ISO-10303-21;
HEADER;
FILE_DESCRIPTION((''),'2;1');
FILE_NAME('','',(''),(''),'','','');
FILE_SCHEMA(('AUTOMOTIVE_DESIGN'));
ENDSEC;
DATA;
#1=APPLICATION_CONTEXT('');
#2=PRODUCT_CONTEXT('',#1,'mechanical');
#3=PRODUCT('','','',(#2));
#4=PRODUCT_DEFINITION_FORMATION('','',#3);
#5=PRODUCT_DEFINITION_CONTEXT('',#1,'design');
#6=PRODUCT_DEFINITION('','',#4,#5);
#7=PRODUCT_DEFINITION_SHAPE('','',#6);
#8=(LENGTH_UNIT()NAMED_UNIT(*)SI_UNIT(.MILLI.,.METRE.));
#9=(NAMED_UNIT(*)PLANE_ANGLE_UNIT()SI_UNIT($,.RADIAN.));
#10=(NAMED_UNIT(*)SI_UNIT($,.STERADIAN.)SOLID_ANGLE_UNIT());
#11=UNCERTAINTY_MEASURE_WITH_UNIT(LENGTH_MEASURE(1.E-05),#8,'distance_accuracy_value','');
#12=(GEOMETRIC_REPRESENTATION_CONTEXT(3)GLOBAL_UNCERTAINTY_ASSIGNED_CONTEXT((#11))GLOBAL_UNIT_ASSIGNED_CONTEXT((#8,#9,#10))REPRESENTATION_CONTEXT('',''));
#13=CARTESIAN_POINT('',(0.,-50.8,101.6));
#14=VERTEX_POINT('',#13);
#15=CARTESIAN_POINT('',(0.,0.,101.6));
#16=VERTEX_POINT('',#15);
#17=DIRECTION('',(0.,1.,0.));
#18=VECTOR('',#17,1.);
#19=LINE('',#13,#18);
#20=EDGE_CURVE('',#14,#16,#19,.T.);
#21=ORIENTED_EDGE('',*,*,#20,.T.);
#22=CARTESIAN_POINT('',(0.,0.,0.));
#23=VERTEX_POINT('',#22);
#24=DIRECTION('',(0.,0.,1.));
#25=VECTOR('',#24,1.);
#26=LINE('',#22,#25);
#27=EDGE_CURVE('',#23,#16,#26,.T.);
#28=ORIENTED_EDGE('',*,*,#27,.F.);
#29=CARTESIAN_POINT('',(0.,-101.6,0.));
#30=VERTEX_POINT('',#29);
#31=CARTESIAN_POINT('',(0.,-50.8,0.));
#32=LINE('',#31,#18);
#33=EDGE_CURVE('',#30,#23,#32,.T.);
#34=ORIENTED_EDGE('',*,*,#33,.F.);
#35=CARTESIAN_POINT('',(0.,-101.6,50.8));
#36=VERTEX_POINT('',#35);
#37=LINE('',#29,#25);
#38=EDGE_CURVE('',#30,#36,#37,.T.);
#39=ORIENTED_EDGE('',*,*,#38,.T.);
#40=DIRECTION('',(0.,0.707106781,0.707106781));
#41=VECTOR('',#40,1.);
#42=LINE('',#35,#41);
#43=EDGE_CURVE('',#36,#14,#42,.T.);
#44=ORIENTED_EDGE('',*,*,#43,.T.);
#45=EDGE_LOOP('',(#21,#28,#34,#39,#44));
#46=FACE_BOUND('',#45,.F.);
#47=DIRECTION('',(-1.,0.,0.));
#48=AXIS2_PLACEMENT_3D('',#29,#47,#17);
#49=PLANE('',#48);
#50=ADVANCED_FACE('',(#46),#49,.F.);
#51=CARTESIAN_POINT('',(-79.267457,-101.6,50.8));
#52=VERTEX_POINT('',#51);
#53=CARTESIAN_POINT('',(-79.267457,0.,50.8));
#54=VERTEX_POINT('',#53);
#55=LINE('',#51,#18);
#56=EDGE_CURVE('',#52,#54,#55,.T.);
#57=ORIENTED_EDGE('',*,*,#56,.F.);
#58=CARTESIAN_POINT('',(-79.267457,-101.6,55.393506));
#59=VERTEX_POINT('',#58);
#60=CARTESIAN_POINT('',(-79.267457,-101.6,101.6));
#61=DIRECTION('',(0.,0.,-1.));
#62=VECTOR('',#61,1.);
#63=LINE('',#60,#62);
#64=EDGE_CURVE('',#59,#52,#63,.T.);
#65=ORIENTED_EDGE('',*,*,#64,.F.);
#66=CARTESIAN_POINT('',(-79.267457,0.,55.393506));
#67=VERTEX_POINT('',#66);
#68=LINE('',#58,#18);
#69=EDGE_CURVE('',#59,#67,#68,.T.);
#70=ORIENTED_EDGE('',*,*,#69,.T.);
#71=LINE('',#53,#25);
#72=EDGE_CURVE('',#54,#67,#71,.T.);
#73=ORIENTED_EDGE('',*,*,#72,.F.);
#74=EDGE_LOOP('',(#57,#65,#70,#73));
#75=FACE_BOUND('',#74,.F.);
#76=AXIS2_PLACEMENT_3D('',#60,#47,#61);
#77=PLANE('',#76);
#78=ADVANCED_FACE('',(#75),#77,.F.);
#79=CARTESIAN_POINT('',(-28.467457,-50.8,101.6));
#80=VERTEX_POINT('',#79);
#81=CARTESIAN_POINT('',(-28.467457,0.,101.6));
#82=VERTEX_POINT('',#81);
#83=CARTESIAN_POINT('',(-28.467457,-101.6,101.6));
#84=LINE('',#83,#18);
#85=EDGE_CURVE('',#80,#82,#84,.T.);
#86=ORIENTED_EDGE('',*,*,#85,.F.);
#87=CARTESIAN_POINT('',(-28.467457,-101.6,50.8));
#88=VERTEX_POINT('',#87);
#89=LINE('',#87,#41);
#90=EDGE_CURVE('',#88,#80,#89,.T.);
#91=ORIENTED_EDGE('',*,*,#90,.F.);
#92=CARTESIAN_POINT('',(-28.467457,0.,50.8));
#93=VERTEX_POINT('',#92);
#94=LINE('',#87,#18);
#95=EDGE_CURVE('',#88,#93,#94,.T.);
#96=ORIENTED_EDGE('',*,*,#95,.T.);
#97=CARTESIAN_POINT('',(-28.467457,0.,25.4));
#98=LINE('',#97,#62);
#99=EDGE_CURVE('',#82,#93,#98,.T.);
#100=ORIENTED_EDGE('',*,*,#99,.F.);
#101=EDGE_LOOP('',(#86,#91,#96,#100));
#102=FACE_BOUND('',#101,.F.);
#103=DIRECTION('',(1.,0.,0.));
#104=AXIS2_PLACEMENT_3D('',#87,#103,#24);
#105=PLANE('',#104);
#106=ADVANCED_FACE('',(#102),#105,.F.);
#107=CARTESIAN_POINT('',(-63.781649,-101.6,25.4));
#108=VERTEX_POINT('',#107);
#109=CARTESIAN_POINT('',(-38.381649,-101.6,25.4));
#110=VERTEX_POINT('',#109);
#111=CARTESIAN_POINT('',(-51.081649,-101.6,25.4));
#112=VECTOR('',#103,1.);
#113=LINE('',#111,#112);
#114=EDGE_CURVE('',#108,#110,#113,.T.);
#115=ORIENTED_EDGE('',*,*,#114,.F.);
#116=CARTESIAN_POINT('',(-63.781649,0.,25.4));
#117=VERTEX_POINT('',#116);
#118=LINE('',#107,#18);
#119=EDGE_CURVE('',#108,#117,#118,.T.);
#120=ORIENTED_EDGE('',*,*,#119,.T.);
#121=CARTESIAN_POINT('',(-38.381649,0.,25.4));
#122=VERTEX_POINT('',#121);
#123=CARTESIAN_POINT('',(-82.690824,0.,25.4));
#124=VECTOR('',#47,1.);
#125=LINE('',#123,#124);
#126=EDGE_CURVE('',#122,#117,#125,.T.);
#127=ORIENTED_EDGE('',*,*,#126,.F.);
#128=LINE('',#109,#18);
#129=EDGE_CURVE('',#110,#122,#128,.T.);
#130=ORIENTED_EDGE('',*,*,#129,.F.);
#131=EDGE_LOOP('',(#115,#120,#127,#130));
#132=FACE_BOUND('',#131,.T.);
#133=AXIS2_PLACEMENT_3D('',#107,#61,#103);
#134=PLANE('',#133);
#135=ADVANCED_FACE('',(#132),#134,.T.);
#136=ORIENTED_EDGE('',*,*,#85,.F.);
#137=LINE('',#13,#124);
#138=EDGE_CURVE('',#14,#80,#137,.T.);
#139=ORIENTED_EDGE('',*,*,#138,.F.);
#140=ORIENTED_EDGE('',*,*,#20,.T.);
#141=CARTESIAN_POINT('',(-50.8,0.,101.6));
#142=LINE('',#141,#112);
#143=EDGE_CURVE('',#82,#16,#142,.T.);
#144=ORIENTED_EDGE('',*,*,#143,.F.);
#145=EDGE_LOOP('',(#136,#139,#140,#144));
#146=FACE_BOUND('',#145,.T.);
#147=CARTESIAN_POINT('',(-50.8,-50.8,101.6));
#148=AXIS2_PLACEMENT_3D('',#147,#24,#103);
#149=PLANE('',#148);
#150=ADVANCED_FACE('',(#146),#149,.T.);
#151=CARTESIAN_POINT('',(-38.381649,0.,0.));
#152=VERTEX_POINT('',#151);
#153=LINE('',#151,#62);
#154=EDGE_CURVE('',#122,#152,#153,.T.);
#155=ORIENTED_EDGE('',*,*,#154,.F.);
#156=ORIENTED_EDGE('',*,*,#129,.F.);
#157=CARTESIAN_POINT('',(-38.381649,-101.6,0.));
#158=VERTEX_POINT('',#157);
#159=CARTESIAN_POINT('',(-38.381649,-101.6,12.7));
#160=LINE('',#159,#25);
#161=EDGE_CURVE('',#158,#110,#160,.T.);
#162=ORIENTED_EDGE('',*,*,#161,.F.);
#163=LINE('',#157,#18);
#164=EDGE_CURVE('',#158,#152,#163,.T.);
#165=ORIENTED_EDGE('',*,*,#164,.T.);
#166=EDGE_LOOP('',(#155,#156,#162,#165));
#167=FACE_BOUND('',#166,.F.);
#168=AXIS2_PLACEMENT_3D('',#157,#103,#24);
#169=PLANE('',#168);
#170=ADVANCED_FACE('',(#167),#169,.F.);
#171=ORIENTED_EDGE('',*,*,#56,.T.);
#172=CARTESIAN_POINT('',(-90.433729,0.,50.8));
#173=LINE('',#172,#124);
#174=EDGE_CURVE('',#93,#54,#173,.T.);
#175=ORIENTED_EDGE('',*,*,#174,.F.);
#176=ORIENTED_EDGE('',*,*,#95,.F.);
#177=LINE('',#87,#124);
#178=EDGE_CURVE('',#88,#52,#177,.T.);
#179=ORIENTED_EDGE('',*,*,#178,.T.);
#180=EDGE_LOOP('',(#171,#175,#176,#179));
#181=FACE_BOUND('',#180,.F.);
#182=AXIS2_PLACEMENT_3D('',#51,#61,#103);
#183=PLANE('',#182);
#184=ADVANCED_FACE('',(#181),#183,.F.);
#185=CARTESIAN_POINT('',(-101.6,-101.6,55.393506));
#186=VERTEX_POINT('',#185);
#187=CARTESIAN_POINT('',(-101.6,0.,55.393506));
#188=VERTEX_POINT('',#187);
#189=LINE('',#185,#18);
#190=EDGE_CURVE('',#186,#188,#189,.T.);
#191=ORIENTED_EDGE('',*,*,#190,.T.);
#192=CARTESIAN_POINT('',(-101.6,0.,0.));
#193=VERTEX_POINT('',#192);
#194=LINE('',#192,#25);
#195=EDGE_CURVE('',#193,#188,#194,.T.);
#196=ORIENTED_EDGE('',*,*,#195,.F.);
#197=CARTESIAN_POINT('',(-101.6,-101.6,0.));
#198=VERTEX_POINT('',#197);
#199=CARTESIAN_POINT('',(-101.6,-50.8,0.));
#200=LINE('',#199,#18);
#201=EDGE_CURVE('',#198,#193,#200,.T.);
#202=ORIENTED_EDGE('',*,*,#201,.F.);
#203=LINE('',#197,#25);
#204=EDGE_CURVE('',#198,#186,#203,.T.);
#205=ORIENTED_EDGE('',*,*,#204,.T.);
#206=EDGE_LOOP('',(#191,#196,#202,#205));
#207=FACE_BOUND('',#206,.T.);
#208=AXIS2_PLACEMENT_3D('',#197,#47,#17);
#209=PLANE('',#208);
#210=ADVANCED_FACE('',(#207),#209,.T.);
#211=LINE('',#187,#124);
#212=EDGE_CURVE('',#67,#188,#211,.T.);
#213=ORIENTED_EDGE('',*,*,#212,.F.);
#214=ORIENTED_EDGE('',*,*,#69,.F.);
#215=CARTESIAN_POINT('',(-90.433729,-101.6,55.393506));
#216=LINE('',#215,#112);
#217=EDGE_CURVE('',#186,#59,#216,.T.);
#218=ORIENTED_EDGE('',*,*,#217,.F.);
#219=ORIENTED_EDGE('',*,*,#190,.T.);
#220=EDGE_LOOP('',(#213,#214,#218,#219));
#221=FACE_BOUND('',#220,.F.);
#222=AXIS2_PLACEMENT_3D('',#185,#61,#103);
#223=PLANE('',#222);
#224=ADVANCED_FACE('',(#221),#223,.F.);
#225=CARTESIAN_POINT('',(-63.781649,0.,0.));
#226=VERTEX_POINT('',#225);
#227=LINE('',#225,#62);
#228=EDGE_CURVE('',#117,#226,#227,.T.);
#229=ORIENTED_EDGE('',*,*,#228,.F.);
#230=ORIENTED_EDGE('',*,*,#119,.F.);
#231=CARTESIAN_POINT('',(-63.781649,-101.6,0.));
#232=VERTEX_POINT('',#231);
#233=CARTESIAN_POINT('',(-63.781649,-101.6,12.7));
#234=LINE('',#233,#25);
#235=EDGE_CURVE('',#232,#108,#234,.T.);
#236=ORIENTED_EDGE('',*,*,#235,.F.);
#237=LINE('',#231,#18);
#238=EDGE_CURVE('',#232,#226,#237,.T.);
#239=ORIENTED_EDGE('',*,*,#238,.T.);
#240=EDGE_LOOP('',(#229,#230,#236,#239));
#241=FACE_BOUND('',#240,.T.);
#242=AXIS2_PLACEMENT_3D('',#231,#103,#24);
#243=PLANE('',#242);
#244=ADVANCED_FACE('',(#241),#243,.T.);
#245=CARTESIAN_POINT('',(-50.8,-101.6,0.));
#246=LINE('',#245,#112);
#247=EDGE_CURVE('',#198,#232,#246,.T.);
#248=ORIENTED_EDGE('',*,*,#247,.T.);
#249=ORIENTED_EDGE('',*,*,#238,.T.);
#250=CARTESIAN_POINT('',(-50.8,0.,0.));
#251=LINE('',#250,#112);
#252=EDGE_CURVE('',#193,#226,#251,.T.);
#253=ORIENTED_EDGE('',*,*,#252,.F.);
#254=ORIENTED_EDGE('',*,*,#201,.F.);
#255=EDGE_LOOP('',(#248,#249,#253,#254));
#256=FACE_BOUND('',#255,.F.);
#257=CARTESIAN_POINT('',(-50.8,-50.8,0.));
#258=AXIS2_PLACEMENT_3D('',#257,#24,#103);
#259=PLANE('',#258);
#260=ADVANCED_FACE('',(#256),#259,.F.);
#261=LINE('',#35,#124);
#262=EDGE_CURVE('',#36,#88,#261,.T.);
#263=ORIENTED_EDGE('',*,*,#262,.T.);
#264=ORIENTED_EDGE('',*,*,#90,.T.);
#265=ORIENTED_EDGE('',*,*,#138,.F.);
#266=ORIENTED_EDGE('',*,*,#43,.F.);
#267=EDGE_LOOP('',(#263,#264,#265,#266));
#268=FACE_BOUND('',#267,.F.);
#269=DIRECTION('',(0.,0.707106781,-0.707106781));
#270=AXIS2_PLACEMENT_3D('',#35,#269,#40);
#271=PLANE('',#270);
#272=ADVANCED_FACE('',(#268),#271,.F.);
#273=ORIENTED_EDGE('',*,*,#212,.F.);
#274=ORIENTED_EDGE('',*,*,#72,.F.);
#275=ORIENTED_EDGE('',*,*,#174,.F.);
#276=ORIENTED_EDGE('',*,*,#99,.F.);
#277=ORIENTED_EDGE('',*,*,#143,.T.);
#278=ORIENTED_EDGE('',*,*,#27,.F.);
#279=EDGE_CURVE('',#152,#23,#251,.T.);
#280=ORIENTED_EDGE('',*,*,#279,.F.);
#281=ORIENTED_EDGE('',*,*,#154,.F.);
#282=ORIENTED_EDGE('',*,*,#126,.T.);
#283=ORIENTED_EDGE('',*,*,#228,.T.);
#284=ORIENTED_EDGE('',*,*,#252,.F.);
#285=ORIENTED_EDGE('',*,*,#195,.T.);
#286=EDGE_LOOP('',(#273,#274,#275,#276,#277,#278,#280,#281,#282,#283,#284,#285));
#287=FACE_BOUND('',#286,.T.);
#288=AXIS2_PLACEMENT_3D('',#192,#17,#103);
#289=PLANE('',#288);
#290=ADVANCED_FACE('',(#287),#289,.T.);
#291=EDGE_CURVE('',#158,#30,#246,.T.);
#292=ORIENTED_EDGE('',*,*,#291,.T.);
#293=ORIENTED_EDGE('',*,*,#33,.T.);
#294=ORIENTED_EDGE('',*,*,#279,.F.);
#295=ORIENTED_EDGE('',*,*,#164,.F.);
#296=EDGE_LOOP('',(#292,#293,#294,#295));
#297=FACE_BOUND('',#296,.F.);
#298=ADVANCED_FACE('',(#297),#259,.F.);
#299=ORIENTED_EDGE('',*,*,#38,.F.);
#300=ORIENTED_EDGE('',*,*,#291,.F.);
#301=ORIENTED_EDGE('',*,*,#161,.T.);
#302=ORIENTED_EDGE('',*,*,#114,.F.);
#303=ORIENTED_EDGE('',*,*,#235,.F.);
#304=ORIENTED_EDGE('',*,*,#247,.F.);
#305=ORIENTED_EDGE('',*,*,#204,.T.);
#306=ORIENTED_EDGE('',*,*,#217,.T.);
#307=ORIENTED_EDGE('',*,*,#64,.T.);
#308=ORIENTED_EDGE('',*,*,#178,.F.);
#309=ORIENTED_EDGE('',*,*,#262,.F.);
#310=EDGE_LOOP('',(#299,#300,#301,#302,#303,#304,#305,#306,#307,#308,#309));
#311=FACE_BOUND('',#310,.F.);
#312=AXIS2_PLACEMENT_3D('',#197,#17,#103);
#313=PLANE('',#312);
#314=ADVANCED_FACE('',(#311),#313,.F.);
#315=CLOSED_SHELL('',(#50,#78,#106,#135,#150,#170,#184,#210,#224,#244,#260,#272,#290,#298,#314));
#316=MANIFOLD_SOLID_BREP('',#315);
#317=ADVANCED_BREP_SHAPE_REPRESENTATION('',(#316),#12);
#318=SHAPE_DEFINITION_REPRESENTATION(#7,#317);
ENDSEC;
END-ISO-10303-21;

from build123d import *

# Parameters (mm, degrees)
F0_W     = 101.6
F0_H     = 101.6
F1_DEPTH = 101.6
F2_W     = 25.4
F2_H     = 25.4
F3_DEPTH = 232.918
F4_W     = 22.3325428724
F4_H     = 46.2064941585
F5_DEPTH = 115.824
F7_DEPTH = 154.94
F9_DEPTH = 54.356


with BuildPart() as f1:
    # F0 (on Top) → F1 (new body)
    with BuildSketch(Plane.XY):
        with Locations((-50.8, -50.8)):
            Rectangle(F0_W, F0_H)
    extrude(amount=F1_DEPTH)

    # F2 (on face) → F3 (cut)
    with BuildSketch(Plane.XZ.offset(101.6)):
        with Locations((-51.0816488743, 12.7)):
            Rectangle(F2_W, F2_H)
    extrude(amount=-F3_DEPTH, mode=Mode.SUBTRACT)

    # F4 (on face) → F5 (cut)
    with BuildSketch(Plane.XZ.offset(101.6)):
        with Locations((-90.4337285638, 78.4967529207)):
            Rectangle(F4_W, F4_H)
    extrude(amount=-F5_DEPTH, mode=Mode.SUBTRACT)

    # F6 (on face) → F7 (cut)
    with BuildSketch(Plane.XZ.offset(101.6)):
        Polygon((-28.4674571276, 101.6), (-79.2674571276, 101.6), (-79.2674571276, 55.3935058415), (-79.2674571276, 50.8), (-28.4674571276, 50.8), align=None)
    extrude(amount=-F7_DEPTH, mode=Mode.SUBTRACT)

    # F8 (on face) → F9 (cut)
    with BuildSketch(Plane.YZ):
        Polygon((-101.6, 101.6), (-101.6, 50.8), (-50.8, 101.6), align=None)
    extrude(amount=-F9_DEPTH, mode=Mode.SUBTRACT)


solid = f1.part
